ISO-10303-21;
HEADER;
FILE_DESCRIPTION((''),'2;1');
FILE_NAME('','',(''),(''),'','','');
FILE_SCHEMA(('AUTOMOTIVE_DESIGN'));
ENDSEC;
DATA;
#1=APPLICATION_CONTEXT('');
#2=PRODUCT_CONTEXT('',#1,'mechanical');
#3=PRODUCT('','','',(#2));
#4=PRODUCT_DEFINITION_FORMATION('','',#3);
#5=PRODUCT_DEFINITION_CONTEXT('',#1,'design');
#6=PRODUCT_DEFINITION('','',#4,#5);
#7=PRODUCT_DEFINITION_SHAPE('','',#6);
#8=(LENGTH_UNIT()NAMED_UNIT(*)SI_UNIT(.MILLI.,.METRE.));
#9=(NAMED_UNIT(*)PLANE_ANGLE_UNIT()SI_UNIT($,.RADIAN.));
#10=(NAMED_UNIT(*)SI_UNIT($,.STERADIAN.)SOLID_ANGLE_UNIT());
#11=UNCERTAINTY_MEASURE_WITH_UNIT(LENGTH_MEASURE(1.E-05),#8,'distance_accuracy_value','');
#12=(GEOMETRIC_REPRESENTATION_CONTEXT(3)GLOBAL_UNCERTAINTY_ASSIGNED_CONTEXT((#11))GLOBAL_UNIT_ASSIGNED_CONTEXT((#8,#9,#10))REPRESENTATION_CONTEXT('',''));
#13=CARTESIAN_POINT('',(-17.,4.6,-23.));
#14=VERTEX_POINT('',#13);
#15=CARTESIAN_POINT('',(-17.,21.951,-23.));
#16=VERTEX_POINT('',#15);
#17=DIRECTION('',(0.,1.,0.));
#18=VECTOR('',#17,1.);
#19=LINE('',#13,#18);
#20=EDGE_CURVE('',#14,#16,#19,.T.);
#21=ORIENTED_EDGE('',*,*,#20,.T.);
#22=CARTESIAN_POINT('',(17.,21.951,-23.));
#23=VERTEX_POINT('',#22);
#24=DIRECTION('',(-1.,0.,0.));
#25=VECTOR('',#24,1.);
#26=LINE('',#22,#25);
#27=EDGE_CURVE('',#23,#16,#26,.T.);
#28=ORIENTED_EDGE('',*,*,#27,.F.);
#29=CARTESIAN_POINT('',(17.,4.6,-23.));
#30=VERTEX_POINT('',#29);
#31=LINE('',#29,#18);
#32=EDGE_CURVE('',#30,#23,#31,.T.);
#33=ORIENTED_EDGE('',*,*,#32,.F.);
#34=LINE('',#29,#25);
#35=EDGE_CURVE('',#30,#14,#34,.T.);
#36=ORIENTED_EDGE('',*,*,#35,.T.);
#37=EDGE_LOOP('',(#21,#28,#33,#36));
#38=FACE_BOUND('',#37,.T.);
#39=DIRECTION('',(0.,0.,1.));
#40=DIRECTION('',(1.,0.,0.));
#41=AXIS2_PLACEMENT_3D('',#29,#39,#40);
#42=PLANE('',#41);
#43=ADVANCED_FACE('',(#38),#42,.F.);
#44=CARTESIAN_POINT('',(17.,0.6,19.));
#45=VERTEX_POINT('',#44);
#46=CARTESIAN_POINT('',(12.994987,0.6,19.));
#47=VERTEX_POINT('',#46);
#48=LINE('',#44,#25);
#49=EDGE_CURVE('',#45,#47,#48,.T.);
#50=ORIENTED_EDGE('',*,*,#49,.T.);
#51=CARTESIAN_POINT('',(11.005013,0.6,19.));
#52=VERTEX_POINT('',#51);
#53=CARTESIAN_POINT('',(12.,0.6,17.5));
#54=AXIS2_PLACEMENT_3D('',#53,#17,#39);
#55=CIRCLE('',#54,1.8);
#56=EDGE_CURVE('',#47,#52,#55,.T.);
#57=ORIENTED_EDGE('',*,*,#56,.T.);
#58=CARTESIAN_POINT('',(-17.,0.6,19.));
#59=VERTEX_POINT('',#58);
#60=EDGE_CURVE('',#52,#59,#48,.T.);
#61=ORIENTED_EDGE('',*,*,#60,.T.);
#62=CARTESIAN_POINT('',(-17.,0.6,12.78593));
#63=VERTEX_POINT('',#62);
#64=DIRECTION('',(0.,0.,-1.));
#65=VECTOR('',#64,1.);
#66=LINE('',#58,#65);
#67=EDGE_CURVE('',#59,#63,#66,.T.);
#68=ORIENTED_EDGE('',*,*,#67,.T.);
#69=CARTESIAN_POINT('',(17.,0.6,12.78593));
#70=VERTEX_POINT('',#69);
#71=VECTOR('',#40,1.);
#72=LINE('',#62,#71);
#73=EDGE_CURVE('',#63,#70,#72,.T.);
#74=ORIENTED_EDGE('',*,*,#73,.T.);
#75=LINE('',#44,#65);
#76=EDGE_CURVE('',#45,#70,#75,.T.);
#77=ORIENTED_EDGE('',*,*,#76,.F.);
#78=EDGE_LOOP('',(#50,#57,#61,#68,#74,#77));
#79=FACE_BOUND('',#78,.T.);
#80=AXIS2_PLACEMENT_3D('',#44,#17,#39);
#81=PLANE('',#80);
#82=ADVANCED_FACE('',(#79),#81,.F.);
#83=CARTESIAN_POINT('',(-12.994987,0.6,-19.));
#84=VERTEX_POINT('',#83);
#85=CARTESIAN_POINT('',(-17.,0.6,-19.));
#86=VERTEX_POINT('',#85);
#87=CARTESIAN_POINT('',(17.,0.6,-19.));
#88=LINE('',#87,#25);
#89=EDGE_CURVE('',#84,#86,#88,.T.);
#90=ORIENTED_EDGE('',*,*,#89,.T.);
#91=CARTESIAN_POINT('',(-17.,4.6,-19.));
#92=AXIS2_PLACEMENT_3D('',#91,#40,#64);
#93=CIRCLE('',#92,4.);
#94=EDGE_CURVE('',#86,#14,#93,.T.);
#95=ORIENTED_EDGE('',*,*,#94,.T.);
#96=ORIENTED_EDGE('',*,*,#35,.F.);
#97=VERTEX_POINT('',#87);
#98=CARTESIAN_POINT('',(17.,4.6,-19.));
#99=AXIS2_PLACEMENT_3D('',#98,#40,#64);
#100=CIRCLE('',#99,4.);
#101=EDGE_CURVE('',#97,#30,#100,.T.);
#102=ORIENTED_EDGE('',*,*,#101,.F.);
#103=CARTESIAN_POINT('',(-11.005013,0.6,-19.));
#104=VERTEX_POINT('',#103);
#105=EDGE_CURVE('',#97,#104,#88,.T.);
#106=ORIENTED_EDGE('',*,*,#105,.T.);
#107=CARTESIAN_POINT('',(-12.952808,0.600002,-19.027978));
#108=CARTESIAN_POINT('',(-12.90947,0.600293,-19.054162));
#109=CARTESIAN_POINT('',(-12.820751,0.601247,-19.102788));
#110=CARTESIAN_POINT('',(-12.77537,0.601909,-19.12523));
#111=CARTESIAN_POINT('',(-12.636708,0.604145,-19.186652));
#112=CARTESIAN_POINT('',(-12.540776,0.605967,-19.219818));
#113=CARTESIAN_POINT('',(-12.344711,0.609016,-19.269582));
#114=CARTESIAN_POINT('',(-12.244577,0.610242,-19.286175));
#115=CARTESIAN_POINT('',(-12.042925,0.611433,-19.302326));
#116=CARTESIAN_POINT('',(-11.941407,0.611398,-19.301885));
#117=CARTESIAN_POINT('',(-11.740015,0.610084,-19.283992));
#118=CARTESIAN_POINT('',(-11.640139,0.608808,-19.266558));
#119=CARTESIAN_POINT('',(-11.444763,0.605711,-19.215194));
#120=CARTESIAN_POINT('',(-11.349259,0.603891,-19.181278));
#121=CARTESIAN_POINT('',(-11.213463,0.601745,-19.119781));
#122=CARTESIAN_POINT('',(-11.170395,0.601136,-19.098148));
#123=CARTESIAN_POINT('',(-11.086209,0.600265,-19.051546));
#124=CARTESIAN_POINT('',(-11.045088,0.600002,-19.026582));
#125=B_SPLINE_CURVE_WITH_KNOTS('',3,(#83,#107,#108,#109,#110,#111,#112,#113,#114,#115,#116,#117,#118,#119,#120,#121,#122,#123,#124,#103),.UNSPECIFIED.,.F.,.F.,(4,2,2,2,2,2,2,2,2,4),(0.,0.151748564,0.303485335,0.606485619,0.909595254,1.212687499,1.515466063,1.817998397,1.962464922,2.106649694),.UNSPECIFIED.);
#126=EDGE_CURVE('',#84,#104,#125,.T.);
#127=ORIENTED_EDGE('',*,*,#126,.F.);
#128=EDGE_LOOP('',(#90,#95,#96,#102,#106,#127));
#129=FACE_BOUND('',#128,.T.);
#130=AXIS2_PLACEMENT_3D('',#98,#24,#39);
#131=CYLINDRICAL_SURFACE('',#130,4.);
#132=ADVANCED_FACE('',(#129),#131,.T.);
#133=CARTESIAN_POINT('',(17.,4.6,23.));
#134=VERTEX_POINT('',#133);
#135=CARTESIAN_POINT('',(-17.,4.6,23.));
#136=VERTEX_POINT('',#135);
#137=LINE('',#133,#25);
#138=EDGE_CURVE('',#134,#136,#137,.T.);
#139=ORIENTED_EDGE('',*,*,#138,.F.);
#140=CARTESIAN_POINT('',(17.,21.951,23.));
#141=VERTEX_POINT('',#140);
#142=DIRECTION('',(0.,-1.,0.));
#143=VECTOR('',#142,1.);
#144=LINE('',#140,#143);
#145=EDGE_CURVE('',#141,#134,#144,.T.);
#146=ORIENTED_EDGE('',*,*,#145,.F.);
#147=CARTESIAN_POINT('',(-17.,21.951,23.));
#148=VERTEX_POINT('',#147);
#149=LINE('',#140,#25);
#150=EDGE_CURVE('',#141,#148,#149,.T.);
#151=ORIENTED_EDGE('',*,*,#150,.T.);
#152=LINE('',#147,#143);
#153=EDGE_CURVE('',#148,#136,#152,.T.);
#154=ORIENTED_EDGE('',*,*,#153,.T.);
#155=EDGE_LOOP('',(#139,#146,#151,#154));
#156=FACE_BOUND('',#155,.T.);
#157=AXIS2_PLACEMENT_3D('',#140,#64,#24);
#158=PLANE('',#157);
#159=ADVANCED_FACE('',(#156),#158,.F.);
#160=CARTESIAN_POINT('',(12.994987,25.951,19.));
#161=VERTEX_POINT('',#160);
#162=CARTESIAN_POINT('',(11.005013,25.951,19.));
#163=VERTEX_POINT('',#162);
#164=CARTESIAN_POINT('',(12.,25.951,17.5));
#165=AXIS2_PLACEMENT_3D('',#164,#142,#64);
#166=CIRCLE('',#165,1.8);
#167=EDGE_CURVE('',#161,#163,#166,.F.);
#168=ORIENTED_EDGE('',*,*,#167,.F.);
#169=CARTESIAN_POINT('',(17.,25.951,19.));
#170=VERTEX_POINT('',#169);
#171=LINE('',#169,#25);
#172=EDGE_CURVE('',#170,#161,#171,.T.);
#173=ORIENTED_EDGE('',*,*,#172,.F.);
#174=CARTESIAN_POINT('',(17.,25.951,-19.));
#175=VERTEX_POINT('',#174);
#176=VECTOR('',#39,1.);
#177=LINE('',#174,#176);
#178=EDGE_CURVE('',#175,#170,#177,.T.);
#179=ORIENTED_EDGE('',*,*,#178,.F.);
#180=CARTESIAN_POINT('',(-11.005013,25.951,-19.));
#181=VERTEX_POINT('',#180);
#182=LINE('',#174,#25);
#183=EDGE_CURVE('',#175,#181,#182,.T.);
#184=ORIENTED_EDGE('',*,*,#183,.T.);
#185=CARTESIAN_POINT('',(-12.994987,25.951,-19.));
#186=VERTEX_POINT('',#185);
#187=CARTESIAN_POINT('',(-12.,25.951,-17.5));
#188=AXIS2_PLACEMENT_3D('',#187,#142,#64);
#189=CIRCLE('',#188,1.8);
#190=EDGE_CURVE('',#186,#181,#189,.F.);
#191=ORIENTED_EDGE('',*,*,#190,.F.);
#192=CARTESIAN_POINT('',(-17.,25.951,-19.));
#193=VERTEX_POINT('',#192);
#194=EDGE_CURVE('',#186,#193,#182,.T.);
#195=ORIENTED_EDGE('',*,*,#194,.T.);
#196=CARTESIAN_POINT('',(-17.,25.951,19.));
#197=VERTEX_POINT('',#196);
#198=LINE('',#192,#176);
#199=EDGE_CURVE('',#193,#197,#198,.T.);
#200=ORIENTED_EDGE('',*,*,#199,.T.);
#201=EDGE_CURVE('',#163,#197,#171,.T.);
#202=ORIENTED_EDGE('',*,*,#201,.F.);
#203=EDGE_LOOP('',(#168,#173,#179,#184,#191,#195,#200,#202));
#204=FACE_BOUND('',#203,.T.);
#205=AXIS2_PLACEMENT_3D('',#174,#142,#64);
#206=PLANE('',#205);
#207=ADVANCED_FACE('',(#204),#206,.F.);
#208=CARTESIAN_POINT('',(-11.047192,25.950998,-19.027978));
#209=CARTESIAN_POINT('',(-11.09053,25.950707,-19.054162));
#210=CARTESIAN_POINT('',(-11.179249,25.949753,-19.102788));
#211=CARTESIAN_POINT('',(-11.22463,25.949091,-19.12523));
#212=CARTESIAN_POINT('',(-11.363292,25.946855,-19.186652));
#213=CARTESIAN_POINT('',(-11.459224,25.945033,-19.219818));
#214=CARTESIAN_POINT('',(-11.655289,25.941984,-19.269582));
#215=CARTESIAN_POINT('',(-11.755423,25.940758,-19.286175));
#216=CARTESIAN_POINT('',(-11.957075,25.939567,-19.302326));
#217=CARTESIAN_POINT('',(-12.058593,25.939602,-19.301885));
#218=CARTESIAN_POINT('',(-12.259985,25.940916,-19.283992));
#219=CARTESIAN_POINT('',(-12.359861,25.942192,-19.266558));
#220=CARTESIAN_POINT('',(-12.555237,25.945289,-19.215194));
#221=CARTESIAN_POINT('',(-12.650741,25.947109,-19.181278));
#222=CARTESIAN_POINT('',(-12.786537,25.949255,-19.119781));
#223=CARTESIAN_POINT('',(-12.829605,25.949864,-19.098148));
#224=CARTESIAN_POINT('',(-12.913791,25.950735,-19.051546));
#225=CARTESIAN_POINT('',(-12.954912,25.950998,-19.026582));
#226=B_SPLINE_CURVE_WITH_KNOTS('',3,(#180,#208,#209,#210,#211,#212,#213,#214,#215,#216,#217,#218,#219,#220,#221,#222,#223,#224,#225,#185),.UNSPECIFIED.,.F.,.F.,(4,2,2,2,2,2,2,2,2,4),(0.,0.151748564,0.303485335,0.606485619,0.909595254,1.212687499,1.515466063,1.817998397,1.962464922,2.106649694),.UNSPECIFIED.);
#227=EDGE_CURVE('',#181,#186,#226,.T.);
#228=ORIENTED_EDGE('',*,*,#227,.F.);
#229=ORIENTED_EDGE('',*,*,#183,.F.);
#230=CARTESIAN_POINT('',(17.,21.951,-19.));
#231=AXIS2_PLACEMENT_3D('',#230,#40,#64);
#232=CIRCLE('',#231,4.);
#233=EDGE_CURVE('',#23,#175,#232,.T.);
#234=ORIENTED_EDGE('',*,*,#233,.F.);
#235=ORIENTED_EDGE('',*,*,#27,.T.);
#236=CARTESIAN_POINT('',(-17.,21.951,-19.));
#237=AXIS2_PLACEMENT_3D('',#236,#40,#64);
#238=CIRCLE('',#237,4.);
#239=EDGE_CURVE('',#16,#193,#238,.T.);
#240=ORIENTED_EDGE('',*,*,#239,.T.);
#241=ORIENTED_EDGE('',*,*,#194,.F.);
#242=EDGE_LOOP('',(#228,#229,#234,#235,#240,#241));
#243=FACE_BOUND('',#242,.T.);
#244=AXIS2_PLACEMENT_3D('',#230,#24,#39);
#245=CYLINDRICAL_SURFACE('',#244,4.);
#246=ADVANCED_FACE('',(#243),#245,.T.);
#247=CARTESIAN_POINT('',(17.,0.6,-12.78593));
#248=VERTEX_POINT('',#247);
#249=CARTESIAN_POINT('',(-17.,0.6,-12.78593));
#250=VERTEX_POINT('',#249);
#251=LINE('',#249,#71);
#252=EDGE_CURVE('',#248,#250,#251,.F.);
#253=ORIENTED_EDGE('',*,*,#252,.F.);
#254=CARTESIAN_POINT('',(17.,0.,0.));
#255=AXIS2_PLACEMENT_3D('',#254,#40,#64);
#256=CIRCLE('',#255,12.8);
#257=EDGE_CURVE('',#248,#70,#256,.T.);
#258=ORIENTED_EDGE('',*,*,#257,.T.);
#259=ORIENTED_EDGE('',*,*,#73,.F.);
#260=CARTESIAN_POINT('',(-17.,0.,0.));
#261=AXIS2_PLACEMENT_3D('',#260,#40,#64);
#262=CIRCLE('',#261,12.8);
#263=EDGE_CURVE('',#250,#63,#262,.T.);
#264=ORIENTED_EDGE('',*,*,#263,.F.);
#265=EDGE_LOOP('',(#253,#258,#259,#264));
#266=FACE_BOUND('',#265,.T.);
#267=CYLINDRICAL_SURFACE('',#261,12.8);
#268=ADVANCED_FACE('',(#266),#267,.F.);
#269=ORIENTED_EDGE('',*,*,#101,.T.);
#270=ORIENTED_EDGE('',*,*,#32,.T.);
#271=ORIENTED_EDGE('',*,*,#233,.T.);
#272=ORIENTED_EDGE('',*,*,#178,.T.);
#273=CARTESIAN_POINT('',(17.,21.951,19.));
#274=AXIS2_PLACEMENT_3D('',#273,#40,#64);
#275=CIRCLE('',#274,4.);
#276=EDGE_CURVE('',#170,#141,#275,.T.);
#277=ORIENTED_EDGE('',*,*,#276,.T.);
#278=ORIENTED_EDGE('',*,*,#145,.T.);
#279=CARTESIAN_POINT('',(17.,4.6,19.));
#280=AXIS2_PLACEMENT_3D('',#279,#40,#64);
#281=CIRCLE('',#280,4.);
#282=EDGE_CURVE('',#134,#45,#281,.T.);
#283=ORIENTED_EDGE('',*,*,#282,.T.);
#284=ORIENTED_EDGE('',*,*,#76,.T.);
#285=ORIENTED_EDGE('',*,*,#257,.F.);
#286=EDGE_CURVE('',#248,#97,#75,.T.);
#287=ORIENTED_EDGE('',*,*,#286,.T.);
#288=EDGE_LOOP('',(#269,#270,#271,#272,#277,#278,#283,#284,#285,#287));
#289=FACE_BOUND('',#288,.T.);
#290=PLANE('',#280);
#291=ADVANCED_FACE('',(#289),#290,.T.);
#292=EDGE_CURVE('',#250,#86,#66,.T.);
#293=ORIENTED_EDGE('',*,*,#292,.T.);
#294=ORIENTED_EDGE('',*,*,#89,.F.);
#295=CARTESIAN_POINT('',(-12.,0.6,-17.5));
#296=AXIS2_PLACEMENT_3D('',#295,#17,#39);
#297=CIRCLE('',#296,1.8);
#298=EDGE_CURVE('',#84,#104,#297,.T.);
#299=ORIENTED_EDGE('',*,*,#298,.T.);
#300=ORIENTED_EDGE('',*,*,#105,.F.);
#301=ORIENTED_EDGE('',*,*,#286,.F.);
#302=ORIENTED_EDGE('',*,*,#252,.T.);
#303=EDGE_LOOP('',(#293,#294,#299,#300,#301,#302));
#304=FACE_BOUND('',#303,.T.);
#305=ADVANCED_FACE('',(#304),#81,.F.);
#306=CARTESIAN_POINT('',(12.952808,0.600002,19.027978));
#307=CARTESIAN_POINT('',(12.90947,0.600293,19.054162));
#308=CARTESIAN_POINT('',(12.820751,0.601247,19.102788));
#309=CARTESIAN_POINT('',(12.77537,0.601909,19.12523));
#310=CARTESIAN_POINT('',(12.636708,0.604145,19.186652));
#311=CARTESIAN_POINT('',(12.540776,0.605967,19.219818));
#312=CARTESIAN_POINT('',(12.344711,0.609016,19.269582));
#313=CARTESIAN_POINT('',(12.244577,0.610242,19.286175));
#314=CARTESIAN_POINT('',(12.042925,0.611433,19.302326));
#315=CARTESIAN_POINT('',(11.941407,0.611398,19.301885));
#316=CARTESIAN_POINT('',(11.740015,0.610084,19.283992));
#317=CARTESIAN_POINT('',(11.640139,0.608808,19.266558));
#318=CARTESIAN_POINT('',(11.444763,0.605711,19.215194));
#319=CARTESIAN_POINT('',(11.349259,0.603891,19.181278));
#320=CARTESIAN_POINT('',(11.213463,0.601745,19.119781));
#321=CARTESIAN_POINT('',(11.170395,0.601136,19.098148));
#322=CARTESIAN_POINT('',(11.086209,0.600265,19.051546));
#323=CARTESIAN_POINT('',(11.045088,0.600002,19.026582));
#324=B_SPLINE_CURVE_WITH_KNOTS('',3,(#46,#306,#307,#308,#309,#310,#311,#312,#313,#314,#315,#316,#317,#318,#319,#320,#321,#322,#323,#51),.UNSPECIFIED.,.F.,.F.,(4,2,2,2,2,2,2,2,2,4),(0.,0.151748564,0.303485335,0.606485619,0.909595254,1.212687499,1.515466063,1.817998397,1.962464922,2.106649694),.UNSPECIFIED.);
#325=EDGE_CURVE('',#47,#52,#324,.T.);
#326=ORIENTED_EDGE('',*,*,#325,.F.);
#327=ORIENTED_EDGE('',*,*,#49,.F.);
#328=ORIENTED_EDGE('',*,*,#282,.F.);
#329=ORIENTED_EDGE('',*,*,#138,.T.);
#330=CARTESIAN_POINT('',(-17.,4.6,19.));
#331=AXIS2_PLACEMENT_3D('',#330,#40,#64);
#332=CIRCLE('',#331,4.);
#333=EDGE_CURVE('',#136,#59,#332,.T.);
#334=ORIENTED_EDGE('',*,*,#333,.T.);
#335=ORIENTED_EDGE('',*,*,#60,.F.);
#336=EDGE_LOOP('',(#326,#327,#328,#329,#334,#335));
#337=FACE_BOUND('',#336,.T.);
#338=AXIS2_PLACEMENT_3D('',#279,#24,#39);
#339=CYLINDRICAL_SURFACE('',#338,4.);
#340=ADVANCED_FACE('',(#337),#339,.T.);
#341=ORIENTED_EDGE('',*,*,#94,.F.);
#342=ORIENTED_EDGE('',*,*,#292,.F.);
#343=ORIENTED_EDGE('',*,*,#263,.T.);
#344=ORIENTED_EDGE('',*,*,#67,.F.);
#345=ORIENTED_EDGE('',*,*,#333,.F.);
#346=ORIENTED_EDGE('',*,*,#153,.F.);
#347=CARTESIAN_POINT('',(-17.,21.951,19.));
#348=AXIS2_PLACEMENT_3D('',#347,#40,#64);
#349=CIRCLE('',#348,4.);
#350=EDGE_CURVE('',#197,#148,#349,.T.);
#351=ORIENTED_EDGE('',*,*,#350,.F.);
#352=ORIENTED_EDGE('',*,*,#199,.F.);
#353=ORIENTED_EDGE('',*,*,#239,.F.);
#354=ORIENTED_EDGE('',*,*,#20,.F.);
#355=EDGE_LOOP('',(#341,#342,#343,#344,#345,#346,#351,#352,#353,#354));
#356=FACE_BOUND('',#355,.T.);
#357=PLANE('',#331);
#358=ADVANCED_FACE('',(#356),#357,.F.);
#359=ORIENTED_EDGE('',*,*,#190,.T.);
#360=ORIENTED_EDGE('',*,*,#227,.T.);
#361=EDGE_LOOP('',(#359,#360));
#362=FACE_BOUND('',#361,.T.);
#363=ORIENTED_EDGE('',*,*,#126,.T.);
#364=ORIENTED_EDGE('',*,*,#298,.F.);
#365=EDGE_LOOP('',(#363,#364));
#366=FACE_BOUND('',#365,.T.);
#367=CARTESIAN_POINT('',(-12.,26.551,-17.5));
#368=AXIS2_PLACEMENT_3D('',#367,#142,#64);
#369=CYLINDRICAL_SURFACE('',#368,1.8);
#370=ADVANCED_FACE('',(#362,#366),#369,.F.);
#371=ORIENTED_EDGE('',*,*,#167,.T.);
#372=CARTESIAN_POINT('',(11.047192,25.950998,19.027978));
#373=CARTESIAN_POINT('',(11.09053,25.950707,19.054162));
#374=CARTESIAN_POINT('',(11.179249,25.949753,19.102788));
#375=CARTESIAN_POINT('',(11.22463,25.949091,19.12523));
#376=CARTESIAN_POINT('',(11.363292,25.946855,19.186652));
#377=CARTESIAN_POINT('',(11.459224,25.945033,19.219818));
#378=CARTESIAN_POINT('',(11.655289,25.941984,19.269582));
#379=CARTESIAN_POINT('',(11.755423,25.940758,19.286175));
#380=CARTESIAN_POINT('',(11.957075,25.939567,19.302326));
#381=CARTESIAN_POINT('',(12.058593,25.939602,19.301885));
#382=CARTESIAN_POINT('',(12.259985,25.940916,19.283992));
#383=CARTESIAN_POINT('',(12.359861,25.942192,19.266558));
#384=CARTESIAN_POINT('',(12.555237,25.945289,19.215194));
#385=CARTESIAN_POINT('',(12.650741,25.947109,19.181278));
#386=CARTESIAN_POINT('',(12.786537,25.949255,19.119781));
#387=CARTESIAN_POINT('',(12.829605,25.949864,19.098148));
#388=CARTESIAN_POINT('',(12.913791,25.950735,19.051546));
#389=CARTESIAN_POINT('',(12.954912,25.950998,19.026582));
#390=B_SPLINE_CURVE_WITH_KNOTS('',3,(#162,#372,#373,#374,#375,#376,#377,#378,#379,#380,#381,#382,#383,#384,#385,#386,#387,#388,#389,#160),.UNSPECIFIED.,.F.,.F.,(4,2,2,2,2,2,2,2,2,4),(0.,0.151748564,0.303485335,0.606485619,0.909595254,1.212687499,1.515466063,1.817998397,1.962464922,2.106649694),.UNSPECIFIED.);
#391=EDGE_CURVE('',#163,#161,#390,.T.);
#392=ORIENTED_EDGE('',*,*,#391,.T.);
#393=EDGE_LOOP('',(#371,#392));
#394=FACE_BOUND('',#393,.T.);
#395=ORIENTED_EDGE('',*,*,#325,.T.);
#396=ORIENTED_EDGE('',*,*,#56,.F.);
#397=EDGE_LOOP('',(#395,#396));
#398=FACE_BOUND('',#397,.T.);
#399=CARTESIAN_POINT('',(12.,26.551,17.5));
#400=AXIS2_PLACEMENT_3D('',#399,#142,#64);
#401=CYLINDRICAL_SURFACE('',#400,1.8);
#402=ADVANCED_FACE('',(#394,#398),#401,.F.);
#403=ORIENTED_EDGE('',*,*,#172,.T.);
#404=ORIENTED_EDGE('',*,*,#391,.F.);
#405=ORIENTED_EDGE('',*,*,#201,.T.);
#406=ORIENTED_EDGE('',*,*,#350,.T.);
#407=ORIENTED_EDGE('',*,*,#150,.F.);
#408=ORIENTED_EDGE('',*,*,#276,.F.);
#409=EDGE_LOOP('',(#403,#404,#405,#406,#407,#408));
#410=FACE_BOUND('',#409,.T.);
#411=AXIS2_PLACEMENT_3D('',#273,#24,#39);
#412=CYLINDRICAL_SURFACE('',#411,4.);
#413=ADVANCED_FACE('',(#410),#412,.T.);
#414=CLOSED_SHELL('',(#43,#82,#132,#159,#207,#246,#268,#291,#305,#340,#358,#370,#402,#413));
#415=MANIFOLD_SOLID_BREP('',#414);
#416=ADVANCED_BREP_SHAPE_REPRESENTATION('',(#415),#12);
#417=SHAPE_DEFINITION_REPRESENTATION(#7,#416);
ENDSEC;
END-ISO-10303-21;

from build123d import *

# Parameters (mm, degrees)
BOSS_EXTRUDE1_DEPTH     = 17
CUT_EXTRUDE1_DEPTH      = 39.619352675
CUT_EXTRUDE1_DEPTH_BACK = 39.619352675
SKETCH2_R               = 12.8
SKETCH3_R               = 1.8
CUT_EXTRUDE2_DEPTH      = 25.951


with BuildPart() as part:
    # Sketch1 → Boss-Extrude1 (new, symmetric)
    with BuildSketch(Plane(origin=(0, 0, 0), x_dir=(0, 0, -1), z_dir=(1, 0, 0))):
        with BuildLine():
            Line((-19, 0.6), (19, 0.6))
            ThreePointArc((19, 0.6), (21.828427125, 1.771572875), (23, 4.6))
            Line((23, 4.6), (23, 21.951))
            ThreePointArc((23, 21.951), (21.828427125, 24.779427125), (19, 25.951))
            Line((19, 25.951), (-19, 25.951))
            ThreePointArc((-19, 25.951), (-21.828427125, 24.779427125), (-23, 21.951))
            Line((-23, 21.951), (-23, 4.6))
            ThreePointArc((-23, 4.6), (-21.828427125, 1.771572875), (-19, 0.6))
        make_face()
    extrude(amount=BOSS_EXTRUDE1_DEPTH, both=True)

    # Sketch2 → Cut-Extrude1 (cut, two sides: drawn at the far end of the back side and taken through both)
    with BuildSketch(Plane(origin=(0, 0, 0), x_dir=(0, 0, -1), z_dir=(1, 0, 0)).offset(-CUT_EXTRUDE1_DEPTH_BACK)):
        Circle(SKETCH2_R)
    extrude(amount=CUT_EXTRUDE1_DEPTH + CUT_EXTRUDE1_DEPTH_BACK, mode=Mode.SUBTRACT)

    # Sketch3 → Cut-Extrude2 (cut)
    with BuildSketch(Plane(origin=(0, 0.6, 0), x_dir=(1, 0, 0), z_dir=(0, 1, 0))):
        with Locations(Location((12, -17.5, 0), (0, 0, 236.442690238))):
            Circle(SKETCH3_R)
        with Locations(Location((-12, 17.5, 0), (0, 0, 123.557309762))):
            Circle(SKETCH3_R)
    extrude(amount=CUT_EXTRUDE2_DEPTH, mode=Mode.SUBTRACT)


solid = part.part
